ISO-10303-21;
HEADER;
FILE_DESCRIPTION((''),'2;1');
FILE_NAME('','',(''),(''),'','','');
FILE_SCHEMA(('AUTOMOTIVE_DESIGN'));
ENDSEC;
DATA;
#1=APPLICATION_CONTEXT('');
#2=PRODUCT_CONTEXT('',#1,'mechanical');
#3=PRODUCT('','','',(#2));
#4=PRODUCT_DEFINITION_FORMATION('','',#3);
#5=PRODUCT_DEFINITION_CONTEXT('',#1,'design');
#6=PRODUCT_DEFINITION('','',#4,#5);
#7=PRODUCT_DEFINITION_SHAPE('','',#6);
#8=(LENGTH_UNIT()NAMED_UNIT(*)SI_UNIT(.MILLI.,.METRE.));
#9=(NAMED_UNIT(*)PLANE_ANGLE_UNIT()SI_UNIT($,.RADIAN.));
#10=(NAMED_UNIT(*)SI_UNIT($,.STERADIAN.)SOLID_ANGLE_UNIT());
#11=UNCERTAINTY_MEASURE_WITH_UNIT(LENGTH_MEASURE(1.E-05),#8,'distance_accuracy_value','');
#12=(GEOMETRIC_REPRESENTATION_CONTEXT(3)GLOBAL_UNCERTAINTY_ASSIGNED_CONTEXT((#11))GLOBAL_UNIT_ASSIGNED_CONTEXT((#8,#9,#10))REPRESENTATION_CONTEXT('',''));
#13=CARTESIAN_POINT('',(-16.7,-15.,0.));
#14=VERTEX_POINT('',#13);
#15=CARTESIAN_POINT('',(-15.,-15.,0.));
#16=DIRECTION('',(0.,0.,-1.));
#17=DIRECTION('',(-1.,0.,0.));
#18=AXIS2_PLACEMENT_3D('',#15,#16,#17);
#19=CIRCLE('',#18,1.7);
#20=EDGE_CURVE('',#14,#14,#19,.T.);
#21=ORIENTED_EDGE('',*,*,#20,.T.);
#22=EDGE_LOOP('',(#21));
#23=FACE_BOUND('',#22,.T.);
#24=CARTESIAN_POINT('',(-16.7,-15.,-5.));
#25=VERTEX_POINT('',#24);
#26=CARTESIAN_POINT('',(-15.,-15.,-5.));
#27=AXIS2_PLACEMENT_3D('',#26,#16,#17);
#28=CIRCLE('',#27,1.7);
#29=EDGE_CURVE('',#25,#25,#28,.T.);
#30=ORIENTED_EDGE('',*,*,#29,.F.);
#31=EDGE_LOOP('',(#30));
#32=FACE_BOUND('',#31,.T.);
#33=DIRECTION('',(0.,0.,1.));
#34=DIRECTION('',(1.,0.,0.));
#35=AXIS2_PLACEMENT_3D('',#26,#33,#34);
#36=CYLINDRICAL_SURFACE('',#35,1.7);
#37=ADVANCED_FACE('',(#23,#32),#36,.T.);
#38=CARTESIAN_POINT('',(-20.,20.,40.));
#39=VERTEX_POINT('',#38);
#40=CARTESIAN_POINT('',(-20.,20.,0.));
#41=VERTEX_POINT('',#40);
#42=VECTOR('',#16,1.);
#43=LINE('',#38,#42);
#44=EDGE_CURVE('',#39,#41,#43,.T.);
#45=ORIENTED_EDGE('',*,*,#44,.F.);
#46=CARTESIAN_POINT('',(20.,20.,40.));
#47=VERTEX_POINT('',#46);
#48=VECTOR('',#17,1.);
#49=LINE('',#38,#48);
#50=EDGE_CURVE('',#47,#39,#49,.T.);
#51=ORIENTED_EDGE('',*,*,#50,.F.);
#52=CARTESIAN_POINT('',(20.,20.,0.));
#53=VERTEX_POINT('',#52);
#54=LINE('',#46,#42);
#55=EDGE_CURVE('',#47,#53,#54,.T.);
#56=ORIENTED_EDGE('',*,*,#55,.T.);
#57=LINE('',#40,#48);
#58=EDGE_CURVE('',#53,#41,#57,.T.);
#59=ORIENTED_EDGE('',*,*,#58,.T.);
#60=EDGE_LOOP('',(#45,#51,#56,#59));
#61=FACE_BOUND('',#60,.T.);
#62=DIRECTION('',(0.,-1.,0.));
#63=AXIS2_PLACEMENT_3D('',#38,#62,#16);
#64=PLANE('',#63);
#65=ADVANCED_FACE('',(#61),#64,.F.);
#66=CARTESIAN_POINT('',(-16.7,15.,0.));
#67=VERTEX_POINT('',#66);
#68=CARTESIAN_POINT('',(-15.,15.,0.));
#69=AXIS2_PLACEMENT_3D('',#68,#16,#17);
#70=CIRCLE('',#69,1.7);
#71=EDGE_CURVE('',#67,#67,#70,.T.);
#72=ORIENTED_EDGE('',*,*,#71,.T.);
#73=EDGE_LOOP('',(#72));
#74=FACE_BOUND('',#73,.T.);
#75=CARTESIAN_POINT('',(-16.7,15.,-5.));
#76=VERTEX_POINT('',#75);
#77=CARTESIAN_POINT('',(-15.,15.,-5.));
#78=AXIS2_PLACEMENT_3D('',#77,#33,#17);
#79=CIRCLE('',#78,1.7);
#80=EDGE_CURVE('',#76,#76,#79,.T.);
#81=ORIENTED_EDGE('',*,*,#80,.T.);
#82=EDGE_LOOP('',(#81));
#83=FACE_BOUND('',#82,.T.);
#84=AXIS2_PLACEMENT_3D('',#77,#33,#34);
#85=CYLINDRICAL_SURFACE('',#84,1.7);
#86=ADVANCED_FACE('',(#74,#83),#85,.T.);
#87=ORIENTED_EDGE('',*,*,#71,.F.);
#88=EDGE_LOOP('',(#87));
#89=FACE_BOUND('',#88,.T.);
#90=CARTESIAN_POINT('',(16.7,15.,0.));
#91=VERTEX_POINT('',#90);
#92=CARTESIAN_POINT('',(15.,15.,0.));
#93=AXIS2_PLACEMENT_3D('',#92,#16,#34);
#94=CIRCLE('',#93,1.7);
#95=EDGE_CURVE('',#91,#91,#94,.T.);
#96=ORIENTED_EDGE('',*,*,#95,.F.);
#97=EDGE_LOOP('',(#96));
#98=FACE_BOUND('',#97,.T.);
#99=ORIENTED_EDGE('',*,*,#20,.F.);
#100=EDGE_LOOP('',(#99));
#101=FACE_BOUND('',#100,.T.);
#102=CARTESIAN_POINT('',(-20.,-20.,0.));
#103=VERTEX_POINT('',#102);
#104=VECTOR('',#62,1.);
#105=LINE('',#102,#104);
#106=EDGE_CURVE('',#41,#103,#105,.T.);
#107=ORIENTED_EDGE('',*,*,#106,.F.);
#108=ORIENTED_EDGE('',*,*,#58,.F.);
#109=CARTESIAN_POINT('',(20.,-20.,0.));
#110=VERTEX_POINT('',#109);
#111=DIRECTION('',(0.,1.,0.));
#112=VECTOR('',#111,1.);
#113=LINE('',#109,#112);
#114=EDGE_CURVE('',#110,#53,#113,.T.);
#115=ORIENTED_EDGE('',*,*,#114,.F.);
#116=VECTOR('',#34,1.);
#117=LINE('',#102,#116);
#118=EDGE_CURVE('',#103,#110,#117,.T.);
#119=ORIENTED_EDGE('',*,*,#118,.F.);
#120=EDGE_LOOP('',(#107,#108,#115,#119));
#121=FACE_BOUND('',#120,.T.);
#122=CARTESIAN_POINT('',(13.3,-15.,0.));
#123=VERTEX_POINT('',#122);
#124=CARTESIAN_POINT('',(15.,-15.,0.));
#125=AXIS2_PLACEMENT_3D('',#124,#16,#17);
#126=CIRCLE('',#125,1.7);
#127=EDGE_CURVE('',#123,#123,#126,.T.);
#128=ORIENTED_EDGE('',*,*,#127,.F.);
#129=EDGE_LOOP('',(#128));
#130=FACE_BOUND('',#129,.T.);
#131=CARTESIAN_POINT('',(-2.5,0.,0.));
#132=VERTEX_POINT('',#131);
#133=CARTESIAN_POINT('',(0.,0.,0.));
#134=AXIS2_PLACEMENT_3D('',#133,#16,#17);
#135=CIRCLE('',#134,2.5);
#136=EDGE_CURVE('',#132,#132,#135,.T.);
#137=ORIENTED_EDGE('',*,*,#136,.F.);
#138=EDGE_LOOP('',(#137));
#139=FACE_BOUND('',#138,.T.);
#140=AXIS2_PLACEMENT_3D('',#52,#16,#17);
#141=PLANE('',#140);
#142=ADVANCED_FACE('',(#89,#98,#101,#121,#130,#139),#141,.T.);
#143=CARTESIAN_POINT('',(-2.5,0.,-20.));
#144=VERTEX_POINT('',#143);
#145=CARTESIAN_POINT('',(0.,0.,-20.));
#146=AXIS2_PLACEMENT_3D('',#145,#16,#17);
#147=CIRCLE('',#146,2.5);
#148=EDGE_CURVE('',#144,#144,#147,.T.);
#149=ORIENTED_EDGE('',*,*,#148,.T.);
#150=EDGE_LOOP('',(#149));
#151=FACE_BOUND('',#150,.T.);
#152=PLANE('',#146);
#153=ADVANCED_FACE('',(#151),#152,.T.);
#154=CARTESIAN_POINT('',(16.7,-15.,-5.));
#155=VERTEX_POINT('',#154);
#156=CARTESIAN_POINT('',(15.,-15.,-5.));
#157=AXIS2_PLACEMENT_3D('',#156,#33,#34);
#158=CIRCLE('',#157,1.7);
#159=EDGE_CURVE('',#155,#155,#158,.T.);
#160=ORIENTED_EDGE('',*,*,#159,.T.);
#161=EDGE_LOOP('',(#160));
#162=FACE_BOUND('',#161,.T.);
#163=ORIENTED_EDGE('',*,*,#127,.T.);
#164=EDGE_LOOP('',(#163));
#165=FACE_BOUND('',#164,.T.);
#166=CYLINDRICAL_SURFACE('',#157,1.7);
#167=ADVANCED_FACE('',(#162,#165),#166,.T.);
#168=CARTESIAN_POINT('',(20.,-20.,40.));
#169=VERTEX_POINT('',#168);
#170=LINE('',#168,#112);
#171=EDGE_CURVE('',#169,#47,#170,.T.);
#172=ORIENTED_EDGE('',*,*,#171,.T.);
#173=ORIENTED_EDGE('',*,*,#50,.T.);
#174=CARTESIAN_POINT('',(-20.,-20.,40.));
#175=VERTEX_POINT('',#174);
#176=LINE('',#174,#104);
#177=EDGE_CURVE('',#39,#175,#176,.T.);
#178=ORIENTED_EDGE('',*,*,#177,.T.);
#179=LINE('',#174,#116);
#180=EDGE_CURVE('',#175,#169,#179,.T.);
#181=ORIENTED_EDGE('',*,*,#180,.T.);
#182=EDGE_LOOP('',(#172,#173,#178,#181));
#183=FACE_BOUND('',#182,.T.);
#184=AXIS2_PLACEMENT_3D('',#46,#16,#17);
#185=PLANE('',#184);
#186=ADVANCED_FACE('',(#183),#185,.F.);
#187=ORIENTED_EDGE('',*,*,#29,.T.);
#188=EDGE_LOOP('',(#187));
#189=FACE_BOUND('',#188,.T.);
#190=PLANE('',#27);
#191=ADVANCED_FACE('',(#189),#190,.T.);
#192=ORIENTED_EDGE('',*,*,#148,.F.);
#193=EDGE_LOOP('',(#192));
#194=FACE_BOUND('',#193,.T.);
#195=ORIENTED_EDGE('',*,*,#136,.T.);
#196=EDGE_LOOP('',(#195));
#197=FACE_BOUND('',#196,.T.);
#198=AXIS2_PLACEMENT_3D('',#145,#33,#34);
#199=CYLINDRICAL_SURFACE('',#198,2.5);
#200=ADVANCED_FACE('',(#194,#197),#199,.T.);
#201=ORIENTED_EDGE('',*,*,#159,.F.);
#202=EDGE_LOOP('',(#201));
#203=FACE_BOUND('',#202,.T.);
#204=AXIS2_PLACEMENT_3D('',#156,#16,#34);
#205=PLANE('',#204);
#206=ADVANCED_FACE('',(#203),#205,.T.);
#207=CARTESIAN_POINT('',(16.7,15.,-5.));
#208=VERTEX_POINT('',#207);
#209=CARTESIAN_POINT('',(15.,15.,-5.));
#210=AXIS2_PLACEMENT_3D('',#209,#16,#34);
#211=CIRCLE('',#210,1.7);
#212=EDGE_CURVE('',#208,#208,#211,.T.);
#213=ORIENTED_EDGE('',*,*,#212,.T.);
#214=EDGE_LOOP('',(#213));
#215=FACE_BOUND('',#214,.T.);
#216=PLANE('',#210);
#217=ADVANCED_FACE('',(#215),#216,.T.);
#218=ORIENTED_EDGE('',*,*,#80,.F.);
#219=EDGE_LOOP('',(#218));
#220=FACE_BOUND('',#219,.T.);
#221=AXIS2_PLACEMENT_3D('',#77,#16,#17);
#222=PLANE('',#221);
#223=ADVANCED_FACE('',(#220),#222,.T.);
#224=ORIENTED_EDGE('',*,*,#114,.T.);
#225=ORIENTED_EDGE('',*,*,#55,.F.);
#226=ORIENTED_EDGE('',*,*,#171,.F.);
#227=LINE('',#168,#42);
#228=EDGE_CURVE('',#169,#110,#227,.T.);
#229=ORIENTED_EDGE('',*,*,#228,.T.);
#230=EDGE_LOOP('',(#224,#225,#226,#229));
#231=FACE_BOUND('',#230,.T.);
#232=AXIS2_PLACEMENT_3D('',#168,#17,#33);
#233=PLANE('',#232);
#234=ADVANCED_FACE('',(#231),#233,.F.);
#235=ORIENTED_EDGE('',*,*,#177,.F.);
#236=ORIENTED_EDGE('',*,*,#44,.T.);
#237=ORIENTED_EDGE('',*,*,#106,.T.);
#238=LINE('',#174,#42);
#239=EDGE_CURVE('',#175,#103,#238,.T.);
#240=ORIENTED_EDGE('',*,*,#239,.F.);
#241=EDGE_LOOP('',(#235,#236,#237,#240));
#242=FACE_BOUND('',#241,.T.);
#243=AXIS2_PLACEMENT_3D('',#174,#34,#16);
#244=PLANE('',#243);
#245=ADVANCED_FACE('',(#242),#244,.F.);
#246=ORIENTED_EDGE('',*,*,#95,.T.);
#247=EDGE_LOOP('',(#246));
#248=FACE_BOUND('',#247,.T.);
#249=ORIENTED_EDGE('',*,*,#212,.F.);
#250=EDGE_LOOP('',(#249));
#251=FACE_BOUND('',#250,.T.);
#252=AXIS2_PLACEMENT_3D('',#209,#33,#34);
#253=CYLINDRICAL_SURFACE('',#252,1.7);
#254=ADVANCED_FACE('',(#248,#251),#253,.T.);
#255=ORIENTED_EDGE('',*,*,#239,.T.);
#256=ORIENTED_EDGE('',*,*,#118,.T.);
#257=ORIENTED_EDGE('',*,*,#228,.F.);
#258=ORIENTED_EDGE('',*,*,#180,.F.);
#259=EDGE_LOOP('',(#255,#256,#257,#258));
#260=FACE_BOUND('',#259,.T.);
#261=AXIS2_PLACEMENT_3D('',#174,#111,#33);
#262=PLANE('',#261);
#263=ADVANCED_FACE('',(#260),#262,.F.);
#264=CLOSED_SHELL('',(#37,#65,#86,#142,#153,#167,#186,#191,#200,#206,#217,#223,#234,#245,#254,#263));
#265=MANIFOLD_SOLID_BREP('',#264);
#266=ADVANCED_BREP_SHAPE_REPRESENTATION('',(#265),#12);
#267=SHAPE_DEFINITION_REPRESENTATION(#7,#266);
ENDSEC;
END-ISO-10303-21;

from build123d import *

# Parameters (mm, degrees)
SKETCH1_W               = 40
SKETCH1_H               = 40
BOSS_EXTRUDE1_DEPTH     = 40
SKETCH2_R               = 1.7
BOSS_EXTRUDE2_DEPTH     = 5
MIRROR2_COPY_1_SKETCH_R = 1.7
MIRROR2_COPY_1_DEPTH    = 5
SKETCH3_R               = 2.5
BOSS_EXTRUDE3_DEPTH     = 20


with BuildPart() as part:
    # Sketch1 → Boss-Extrude1 (new body)
    with BuildSketch(Plane.XY):
        Rectangle(SKETCH1_W, SKETCH1_H)
    extrude(amount=BOSS_EXTRUDE1_DEPTH)

    # Sketch2 → Boss-Extrude2 (add)
    with BuildSketch(Plane(origin=(0, 0, 0), x_dir=(-1, 0, 0), z_dir=(0, 0, -1))):
        with Locations((15, -15)):
            Circle(SKETCH2_R)
    boss_extrude2 = extrude(amount=BOSS_EXTRUDE2_DEPTH)

    # Mirror1: Boss-Extrude2 across plane
    add(boss_extrude2.mirror(Plane(origin=(0, 0, 0), x_dir=(0, 0, 1), z_dir=(1, 0, 0))))

    # Mirror2: Boss-Extrude2 across plane
    add(boss_extrude2.mirror(Plane.ZX))

    # Mirror2 copy 1 sketch → Mirror2 copy 1 (add)
    with BuildSketch(Plane(origin=(0, 0, 0), x_dir=(1, 0, 0), z_dir=(0, 0, -1))):
        with Locations((15, -15)):
            Circle(MIRROR2_COPY_1_SKETCH_R)
    extrude(amount=MIRROR2_COPY_1_DEPTH)

    # Sketch3 → Boss-Extrude3 (add)
    with BuildSketch(Plane(origin=(0, 0, 0), x_dir=(-1, 0, 0), z_dir=(0, 0, -1))):
        Circle(SKETCH3_R)
    extrude(amount=BOSS_EXTRUDE3_DEPTH)


solid = part.part
